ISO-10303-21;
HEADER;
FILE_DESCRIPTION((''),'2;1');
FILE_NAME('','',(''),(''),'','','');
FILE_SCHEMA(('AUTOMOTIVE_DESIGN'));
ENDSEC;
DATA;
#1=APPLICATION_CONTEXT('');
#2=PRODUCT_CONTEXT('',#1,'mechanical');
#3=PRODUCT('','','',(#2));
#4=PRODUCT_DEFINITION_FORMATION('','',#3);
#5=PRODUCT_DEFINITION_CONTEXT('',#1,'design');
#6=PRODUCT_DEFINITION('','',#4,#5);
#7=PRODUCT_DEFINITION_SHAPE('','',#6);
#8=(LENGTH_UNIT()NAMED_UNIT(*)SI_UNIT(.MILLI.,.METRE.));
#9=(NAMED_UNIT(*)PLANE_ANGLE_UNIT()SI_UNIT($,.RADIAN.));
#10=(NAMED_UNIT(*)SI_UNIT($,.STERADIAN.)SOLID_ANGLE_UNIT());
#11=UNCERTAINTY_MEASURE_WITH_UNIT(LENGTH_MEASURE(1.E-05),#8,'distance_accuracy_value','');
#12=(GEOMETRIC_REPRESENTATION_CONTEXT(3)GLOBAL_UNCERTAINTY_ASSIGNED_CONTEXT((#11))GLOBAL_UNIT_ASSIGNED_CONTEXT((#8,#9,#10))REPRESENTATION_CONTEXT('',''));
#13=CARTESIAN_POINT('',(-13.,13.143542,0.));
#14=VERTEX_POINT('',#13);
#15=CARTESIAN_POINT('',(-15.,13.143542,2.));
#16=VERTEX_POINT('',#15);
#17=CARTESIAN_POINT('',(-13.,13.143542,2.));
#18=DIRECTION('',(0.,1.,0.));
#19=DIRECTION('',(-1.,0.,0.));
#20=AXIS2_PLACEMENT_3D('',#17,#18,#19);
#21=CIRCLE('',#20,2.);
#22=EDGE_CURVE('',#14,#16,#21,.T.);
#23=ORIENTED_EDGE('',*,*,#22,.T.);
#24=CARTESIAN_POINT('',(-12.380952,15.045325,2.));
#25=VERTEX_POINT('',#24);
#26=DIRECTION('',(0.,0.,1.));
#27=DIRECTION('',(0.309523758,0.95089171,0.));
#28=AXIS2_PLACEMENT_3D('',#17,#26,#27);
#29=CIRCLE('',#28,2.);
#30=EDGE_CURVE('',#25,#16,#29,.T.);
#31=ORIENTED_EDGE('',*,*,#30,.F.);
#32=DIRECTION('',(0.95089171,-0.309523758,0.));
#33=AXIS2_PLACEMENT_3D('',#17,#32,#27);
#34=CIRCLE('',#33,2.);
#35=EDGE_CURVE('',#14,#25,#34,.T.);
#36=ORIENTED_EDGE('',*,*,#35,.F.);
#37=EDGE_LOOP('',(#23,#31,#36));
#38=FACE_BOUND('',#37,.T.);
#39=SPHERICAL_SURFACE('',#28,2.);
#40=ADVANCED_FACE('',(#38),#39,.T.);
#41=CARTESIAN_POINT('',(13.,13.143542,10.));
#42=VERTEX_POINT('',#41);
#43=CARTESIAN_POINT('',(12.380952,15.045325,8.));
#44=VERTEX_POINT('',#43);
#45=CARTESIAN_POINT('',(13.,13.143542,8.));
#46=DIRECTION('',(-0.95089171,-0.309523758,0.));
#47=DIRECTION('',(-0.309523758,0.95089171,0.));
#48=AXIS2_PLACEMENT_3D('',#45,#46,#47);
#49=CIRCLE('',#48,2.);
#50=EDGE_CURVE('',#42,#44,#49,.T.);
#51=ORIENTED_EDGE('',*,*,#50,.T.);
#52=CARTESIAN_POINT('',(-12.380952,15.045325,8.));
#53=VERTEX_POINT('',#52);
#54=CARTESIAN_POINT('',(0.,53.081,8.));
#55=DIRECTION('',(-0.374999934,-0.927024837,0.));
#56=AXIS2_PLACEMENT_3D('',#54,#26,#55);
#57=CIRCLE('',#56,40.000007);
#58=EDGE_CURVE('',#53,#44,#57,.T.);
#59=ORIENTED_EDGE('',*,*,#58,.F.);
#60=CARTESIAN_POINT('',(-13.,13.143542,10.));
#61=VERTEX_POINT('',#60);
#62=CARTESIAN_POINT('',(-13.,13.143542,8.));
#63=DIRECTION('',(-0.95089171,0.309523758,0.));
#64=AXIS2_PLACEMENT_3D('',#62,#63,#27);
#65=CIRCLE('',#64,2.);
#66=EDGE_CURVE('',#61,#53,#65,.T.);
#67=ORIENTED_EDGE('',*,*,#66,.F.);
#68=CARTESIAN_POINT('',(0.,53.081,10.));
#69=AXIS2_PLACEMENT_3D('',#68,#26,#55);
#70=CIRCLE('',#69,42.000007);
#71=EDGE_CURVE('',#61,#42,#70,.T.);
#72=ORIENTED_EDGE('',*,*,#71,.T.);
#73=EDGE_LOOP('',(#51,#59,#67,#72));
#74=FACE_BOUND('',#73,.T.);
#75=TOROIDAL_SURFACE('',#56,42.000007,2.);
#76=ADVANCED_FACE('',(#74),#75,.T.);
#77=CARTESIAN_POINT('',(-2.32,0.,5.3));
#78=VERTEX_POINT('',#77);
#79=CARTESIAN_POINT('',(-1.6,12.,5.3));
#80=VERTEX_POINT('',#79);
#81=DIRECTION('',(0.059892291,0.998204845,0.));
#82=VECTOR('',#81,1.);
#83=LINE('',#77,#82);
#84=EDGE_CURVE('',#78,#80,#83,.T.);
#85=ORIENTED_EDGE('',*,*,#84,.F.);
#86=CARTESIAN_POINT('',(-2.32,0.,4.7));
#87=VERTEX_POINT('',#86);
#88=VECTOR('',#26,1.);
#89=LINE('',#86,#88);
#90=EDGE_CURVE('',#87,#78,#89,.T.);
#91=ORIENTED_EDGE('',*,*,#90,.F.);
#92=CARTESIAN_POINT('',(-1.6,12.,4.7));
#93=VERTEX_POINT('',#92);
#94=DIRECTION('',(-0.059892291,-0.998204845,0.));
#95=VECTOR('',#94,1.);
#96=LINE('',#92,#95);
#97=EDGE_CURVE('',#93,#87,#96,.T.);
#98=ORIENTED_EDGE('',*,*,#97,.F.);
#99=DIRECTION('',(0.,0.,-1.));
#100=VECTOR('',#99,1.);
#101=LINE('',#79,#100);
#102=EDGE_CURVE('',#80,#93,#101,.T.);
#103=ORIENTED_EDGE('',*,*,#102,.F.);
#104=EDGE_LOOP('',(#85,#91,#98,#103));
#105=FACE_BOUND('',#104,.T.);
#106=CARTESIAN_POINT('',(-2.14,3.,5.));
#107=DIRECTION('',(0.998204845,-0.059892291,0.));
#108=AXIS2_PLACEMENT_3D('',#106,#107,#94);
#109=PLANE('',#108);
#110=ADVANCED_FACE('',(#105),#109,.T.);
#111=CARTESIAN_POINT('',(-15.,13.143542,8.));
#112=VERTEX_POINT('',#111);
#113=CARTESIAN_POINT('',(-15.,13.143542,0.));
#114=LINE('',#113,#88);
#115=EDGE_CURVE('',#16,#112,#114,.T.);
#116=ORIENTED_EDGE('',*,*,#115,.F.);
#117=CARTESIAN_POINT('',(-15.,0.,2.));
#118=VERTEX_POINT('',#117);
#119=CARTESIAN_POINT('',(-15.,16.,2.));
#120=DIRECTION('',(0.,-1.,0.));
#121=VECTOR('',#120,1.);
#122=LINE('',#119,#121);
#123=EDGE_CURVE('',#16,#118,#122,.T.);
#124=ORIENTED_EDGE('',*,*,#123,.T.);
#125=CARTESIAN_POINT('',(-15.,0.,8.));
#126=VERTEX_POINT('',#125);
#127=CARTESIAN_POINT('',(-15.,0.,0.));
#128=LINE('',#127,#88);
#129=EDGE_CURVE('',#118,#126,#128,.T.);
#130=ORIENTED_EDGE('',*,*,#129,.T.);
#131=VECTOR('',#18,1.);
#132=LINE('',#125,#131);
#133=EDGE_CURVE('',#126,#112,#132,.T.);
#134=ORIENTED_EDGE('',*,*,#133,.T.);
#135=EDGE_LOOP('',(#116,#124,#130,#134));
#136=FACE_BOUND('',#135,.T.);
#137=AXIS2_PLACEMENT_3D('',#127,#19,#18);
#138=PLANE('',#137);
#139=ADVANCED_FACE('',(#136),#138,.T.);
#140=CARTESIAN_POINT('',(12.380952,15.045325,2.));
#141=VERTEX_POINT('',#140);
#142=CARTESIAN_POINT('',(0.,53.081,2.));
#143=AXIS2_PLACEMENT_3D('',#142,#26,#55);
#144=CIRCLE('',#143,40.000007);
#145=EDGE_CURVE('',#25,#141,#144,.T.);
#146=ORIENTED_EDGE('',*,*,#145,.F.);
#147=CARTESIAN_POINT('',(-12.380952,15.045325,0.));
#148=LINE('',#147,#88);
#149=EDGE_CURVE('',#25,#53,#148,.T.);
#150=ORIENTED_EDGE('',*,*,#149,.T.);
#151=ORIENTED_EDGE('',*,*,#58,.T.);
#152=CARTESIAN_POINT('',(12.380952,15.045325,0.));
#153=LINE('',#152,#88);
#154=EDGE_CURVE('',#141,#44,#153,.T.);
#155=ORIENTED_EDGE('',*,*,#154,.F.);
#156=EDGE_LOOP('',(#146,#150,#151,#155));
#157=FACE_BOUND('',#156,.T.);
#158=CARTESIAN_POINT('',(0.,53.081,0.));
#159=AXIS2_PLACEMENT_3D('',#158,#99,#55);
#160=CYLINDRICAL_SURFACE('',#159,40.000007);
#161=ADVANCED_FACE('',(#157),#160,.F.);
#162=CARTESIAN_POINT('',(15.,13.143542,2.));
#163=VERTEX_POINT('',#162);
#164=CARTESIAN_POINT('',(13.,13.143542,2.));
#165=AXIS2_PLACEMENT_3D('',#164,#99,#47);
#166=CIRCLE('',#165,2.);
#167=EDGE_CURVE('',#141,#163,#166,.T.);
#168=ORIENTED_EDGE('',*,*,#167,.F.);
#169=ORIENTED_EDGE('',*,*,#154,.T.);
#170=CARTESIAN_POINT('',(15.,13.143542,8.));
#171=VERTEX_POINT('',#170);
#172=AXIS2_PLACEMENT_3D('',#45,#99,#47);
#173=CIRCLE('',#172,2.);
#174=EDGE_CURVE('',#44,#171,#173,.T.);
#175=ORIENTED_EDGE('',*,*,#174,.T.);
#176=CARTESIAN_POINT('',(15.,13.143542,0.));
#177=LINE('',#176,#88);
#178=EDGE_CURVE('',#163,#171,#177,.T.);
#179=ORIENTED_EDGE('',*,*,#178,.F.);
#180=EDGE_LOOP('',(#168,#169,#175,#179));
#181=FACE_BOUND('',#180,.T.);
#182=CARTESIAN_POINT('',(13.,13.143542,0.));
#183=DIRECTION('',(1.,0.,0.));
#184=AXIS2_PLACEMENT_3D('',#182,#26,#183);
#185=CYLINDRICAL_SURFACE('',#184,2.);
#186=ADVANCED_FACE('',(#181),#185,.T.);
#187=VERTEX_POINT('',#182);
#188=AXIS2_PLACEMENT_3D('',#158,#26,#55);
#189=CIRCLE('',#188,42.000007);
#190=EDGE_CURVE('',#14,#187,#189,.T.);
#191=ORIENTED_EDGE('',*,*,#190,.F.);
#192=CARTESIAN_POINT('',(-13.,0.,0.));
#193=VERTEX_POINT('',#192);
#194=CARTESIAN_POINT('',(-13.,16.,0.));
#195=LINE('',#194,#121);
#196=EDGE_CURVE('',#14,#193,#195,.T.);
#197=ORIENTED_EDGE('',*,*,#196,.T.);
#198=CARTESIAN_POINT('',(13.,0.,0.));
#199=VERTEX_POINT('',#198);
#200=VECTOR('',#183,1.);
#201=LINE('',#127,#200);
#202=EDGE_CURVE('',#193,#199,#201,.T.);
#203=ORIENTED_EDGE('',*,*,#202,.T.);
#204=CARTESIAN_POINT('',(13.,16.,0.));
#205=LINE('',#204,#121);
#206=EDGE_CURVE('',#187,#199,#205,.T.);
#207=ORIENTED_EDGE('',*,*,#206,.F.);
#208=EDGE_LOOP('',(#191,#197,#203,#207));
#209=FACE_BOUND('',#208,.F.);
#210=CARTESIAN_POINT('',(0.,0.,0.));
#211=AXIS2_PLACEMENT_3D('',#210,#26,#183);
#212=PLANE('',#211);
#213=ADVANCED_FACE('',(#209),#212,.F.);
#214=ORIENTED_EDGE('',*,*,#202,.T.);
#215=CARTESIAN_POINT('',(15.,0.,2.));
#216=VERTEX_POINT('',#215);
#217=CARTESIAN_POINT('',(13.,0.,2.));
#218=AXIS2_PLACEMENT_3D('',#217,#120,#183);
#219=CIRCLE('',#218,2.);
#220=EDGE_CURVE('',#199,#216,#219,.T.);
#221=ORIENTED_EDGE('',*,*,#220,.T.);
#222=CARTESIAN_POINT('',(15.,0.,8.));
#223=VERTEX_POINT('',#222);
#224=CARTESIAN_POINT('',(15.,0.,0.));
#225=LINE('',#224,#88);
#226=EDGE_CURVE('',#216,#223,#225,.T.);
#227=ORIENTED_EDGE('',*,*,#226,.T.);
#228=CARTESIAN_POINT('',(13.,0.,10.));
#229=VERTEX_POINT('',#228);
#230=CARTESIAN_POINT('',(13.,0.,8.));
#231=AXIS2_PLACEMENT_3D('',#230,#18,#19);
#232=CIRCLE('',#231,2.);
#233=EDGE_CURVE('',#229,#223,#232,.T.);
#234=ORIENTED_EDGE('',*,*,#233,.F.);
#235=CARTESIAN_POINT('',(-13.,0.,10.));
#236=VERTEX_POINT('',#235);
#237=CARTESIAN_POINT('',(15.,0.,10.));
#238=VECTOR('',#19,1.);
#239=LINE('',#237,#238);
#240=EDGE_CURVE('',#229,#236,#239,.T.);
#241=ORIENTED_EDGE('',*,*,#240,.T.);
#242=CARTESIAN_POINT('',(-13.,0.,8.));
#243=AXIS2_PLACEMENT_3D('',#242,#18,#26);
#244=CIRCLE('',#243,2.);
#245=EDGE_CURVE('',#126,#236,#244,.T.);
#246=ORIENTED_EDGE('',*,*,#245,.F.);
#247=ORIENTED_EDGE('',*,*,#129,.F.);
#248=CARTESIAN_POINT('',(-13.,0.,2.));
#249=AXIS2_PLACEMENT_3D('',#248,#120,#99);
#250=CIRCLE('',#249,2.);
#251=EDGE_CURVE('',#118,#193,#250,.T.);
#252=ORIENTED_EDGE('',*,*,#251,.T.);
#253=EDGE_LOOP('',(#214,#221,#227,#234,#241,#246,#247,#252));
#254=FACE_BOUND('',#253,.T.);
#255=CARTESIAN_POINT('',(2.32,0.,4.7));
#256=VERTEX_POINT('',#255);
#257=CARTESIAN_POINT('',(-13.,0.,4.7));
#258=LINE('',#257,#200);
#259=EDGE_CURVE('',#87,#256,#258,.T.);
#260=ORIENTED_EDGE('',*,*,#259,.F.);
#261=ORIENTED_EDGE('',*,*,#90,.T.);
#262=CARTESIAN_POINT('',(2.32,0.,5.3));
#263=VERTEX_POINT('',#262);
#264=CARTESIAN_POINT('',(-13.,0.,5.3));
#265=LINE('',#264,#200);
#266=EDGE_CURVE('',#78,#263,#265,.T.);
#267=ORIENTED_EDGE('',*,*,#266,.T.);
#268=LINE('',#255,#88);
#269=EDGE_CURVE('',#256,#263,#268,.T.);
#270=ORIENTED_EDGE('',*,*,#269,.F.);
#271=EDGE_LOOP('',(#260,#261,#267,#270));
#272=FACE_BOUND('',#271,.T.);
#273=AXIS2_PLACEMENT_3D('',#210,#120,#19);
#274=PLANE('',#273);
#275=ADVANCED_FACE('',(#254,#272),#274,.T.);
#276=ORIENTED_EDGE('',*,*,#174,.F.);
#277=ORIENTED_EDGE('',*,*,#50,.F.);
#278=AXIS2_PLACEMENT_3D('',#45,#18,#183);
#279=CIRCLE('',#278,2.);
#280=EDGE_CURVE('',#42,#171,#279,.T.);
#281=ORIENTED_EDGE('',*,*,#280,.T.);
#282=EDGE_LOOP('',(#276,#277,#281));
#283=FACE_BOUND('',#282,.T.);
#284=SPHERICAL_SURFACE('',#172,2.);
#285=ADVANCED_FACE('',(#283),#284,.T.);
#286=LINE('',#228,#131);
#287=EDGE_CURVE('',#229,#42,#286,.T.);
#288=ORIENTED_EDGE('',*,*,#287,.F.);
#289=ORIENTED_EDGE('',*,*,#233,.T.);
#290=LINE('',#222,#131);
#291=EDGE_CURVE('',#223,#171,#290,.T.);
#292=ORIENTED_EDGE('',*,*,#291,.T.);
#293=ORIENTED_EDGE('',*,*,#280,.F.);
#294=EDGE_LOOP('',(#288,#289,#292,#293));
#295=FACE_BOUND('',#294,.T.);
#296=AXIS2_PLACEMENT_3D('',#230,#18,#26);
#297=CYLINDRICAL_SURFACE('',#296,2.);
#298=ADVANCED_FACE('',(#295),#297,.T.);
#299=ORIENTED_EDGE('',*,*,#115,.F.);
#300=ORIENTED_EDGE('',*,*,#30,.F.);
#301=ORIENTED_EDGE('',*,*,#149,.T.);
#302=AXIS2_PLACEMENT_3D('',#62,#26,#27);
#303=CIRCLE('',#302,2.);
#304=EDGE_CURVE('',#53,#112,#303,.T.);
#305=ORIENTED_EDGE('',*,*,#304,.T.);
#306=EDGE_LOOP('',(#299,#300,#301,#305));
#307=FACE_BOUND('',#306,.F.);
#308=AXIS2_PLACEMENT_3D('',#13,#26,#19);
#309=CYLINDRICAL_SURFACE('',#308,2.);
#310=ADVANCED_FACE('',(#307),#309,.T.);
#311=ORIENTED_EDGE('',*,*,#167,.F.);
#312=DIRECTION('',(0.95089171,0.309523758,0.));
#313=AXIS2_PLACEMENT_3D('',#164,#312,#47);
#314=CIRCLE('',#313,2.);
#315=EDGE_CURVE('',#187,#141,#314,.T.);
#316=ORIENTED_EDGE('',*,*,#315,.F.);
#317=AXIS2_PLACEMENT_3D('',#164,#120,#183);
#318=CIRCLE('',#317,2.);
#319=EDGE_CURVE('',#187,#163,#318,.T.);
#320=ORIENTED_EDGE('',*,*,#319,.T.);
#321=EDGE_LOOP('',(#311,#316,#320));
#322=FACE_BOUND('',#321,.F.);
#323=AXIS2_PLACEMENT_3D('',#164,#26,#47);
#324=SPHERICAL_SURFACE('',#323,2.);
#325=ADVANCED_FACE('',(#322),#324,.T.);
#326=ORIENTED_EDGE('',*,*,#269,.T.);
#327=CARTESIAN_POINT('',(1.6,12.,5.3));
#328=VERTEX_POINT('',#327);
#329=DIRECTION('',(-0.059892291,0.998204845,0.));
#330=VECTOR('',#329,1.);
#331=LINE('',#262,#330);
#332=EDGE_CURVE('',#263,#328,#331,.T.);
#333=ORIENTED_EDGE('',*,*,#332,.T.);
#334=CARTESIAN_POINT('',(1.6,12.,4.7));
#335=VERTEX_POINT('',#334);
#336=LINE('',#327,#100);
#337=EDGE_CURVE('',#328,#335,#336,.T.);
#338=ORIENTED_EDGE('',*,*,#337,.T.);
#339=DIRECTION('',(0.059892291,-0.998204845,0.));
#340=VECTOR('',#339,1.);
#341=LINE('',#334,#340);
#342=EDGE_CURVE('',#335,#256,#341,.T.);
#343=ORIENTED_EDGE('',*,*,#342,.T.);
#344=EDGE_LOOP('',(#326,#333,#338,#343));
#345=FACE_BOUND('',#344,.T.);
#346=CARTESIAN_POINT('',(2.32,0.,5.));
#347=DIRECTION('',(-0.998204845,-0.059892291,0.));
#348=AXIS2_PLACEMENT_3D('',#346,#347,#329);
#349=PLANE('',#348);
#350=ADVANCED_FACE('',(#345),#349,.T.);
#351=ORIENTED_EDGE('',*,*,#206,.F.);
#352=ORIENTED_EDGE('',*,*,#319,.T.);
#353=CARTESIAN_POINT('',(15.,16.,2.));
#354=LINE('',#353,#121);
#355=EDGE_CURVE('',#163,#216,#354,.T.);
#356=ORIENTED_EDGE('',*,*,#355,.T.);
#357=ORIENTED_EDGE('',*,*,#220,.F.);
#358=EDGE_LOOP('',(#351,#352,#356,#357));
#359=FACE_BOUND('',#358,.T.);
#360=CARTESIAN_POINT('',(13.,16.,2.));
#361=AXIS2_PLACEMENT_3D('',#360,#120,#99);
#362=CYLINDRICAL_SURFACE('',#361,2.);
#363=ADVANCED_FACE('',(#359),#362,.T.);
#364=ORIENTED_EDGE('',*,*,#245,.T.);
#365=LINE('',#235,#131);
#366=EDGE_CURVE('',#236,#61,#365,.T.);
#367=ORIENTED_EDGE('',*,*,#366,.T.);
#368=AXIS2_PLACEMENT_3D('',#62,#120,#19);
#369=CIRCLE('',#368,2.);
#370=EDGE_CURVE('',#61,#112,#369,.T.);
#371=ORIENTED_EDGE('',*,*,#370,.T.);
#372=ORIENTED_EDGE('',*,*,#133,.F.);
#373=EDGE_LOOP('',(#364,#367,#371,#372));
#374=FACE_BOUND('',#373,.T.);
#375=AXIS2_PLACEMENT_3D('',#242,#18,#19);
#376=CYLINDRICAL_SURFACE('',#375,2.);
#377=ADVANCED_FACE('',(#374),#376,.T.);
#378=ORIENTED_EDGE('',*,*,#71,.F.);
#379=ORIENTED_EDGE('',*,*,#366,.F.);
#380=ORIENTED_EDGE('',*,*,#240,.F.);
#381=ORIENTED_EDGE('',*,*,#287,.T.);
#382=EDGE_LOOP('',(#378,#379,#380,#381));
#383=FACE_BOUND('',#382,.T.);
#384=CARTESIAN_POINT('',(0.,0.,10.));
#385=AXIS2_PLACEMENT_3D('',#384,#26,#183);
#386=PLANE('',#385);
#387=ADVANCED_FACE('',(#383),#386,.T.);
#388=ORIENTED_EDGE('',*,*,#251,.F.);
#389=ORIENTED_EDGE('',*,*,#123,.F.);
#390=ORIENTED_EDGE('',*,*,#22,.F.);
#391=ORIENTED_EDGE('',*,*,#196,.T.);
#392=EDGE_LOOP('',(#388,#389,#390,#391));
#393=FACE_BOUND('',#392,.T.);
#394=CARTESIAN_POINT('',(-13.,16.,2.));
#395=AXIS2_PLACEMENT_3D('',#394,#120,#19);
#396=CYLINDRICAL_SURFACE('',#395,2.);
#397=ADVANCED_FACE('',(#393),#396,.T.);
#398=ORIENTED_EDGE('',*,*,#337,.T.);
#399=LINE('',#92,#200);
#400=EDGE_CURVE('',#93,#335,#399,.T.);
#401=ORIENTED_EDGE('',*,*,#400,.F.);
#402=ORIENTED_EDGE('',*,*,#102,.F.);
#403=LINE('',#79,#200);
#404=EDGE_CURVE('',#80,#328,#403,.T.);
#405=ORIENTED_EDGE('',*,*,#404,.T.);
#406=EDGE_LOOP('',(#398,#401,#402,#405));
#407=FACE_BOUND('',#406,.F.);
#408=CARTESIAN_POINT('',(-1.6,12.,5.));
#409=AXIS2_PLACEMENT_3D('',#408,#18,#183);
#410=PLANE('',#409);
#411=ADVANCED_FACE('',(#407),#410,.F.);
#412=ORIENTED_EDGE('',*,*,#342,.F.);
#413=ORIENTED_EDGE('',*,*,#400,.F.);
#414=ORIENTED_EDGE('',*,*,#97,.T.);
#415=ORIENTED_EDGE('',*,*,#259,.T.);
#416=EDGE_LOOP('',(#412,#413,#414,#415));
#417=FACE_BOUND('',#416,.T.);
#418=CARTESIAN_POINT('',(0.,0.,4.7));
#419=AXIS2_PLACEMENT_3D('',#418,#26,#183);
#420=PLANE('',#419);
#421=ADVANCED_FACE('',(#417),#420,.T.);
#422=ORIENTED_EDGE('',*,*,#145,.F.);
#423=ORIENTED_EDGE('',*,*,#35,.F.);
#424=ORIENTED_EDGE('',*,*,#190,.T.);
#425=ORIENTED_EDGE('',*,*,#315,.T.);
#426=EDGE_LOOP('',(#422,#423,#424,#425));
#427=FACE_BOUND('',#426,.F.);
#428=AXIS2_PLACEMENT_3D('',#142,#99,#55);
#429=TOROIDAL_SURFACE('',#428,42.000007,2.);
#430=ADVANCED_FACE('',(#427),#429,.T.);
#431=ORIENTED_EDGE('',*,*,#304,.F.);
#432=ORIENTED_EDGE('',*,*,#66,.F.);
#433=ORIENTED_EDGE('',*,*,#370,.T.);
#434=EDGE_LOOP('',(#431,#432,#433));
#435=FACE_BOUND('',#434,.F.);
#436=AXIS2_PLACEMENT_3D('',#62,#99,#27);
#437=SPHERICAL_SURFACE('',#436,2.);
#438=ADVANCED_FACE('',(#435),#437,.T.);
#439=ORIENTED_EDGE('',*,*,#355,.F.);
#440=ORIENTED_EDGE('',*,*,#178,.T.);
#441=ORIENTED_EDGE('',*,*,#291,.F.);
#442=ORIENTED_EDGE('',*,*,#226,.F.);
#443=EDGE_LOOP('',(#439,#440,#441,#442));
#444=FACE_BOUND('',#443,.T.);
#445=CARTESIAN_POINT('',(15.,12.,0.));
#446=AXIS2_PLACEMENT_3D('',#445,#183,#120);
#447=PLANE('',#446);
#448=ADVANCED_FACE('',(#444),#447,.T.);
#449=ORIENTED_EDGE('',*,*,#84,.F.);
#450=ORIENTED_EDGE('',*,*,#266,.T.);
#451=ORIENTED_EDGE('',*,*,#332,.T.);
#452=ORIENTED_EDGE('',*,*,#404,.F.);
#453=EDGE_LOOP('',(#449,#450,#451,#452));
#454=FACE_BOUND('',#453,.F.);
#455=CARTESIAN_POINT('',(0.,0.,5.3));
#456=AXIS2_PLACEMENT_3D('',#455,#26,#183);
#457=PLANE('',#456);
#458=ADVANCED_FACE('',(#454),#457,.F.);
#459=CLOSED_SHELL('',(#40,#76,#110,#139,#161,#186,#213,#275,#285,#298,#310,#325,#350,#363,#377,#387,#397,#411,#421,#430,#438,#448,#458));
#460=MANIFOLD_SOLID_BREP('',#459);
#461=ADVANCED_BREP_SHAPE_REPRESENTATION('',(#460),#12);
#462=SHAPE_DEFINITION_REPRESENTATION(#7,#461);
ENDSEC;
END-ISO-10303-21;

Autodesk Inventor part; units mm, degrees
ref_plane "YZ Plane" through (0, 0, 0) normal (1, 0, 0) x (0, 1, 0)
ref_plane "XZ Plane" through (0, 0, 0) normal (0, 1, 0) x (-1, 0, 0)
sketch "Sketch1" plane through (0, 0, 0) normal (0, 0, 1) x (1, 0, 0)
  line L0 (0, 0) -> (0, 12)
  line L1 (15, 0) -> (-15, 0)
  line L2 (-15, 0) -> (-15, 12)
  line L3 (-15, 12) -> (15, 12)
  line L4 (15, 12) -> (15, 0)
  line L5 (-15, 12) -> (-15, 16)
  line L6 (15, 12) -> (15, 16)
  arc A0 (-15, 16) -> (15, 16) centre (0, 53.081) ccw
  point P0 (0, 12)
  dimension "d0" = 12
  dimension "d1" = 30
  dimension "d2" = 4
  dimension "d3" = 4
  dimension "d4" = 40
extrude "Extrusion1" add sketch "Sketch1" along normal blind 10
fillet "Fillet1" radius 2 8 edges at (-15, 16, 5) (15, 16, 5) (0, 13.081, 10) (0, 13.081, 0) (15, 8, 10) (-15, 8, 10) (15, 8, 0) (-15, 8, 0)
ref_plane "Work Plane1" through (0, 0, 5) normal (0, 0, 1) x (1, 0, 0)
sketch "Sketch2" plane through (0, 0, 5) normal (0, 0, 1) x (1, 0, 0)
  line L0 (-13, 0) -> (13, 0) projected
  line L1 (-2.5, 0) -> (2.5, 0)
  line L2 (-1.6, 15) -> (1.6, 15)
  line L3 (-1.6, 15) -> (-2.5, 0)
  line L4 (1.6, 15) -> (2.5, 0)
  line L5 (-2.32, 3) -> (2.32, 3)
  line L6 (-2.32, 0) -> (2.32, 0)
  line L7 (-1.6, 12) -> (1.6, 12)
  line L8 (-1.6, 12) -> (-2.32, 0)
  line L9 (2.32, 0) -> (1.6, 12)
  point P0 (0, 0)
  point P1 (0, 0)
  point P2 (0, 15)
  point P3 (0, 0)
  point P4 (0, 12)
  dimension "d9" = 5
  dimension "d10" = 2.5
  dimension "d11" = 3.2
  dimension "d13" = 12
  dimension "d14" = 4.64
  dimension "d15" = 4.64
  dimension "d16" = 2.32
  dimension "d17" = 3.2
  dimension "d18" = 12
extrude "Extrusion2" cut sketch "Sketch2" along normal mid plane 0.6 contours L8 L5 L9 L0 | L8 L7 L9 L5
properties part number "pot slider" material "ABS Plastic"
